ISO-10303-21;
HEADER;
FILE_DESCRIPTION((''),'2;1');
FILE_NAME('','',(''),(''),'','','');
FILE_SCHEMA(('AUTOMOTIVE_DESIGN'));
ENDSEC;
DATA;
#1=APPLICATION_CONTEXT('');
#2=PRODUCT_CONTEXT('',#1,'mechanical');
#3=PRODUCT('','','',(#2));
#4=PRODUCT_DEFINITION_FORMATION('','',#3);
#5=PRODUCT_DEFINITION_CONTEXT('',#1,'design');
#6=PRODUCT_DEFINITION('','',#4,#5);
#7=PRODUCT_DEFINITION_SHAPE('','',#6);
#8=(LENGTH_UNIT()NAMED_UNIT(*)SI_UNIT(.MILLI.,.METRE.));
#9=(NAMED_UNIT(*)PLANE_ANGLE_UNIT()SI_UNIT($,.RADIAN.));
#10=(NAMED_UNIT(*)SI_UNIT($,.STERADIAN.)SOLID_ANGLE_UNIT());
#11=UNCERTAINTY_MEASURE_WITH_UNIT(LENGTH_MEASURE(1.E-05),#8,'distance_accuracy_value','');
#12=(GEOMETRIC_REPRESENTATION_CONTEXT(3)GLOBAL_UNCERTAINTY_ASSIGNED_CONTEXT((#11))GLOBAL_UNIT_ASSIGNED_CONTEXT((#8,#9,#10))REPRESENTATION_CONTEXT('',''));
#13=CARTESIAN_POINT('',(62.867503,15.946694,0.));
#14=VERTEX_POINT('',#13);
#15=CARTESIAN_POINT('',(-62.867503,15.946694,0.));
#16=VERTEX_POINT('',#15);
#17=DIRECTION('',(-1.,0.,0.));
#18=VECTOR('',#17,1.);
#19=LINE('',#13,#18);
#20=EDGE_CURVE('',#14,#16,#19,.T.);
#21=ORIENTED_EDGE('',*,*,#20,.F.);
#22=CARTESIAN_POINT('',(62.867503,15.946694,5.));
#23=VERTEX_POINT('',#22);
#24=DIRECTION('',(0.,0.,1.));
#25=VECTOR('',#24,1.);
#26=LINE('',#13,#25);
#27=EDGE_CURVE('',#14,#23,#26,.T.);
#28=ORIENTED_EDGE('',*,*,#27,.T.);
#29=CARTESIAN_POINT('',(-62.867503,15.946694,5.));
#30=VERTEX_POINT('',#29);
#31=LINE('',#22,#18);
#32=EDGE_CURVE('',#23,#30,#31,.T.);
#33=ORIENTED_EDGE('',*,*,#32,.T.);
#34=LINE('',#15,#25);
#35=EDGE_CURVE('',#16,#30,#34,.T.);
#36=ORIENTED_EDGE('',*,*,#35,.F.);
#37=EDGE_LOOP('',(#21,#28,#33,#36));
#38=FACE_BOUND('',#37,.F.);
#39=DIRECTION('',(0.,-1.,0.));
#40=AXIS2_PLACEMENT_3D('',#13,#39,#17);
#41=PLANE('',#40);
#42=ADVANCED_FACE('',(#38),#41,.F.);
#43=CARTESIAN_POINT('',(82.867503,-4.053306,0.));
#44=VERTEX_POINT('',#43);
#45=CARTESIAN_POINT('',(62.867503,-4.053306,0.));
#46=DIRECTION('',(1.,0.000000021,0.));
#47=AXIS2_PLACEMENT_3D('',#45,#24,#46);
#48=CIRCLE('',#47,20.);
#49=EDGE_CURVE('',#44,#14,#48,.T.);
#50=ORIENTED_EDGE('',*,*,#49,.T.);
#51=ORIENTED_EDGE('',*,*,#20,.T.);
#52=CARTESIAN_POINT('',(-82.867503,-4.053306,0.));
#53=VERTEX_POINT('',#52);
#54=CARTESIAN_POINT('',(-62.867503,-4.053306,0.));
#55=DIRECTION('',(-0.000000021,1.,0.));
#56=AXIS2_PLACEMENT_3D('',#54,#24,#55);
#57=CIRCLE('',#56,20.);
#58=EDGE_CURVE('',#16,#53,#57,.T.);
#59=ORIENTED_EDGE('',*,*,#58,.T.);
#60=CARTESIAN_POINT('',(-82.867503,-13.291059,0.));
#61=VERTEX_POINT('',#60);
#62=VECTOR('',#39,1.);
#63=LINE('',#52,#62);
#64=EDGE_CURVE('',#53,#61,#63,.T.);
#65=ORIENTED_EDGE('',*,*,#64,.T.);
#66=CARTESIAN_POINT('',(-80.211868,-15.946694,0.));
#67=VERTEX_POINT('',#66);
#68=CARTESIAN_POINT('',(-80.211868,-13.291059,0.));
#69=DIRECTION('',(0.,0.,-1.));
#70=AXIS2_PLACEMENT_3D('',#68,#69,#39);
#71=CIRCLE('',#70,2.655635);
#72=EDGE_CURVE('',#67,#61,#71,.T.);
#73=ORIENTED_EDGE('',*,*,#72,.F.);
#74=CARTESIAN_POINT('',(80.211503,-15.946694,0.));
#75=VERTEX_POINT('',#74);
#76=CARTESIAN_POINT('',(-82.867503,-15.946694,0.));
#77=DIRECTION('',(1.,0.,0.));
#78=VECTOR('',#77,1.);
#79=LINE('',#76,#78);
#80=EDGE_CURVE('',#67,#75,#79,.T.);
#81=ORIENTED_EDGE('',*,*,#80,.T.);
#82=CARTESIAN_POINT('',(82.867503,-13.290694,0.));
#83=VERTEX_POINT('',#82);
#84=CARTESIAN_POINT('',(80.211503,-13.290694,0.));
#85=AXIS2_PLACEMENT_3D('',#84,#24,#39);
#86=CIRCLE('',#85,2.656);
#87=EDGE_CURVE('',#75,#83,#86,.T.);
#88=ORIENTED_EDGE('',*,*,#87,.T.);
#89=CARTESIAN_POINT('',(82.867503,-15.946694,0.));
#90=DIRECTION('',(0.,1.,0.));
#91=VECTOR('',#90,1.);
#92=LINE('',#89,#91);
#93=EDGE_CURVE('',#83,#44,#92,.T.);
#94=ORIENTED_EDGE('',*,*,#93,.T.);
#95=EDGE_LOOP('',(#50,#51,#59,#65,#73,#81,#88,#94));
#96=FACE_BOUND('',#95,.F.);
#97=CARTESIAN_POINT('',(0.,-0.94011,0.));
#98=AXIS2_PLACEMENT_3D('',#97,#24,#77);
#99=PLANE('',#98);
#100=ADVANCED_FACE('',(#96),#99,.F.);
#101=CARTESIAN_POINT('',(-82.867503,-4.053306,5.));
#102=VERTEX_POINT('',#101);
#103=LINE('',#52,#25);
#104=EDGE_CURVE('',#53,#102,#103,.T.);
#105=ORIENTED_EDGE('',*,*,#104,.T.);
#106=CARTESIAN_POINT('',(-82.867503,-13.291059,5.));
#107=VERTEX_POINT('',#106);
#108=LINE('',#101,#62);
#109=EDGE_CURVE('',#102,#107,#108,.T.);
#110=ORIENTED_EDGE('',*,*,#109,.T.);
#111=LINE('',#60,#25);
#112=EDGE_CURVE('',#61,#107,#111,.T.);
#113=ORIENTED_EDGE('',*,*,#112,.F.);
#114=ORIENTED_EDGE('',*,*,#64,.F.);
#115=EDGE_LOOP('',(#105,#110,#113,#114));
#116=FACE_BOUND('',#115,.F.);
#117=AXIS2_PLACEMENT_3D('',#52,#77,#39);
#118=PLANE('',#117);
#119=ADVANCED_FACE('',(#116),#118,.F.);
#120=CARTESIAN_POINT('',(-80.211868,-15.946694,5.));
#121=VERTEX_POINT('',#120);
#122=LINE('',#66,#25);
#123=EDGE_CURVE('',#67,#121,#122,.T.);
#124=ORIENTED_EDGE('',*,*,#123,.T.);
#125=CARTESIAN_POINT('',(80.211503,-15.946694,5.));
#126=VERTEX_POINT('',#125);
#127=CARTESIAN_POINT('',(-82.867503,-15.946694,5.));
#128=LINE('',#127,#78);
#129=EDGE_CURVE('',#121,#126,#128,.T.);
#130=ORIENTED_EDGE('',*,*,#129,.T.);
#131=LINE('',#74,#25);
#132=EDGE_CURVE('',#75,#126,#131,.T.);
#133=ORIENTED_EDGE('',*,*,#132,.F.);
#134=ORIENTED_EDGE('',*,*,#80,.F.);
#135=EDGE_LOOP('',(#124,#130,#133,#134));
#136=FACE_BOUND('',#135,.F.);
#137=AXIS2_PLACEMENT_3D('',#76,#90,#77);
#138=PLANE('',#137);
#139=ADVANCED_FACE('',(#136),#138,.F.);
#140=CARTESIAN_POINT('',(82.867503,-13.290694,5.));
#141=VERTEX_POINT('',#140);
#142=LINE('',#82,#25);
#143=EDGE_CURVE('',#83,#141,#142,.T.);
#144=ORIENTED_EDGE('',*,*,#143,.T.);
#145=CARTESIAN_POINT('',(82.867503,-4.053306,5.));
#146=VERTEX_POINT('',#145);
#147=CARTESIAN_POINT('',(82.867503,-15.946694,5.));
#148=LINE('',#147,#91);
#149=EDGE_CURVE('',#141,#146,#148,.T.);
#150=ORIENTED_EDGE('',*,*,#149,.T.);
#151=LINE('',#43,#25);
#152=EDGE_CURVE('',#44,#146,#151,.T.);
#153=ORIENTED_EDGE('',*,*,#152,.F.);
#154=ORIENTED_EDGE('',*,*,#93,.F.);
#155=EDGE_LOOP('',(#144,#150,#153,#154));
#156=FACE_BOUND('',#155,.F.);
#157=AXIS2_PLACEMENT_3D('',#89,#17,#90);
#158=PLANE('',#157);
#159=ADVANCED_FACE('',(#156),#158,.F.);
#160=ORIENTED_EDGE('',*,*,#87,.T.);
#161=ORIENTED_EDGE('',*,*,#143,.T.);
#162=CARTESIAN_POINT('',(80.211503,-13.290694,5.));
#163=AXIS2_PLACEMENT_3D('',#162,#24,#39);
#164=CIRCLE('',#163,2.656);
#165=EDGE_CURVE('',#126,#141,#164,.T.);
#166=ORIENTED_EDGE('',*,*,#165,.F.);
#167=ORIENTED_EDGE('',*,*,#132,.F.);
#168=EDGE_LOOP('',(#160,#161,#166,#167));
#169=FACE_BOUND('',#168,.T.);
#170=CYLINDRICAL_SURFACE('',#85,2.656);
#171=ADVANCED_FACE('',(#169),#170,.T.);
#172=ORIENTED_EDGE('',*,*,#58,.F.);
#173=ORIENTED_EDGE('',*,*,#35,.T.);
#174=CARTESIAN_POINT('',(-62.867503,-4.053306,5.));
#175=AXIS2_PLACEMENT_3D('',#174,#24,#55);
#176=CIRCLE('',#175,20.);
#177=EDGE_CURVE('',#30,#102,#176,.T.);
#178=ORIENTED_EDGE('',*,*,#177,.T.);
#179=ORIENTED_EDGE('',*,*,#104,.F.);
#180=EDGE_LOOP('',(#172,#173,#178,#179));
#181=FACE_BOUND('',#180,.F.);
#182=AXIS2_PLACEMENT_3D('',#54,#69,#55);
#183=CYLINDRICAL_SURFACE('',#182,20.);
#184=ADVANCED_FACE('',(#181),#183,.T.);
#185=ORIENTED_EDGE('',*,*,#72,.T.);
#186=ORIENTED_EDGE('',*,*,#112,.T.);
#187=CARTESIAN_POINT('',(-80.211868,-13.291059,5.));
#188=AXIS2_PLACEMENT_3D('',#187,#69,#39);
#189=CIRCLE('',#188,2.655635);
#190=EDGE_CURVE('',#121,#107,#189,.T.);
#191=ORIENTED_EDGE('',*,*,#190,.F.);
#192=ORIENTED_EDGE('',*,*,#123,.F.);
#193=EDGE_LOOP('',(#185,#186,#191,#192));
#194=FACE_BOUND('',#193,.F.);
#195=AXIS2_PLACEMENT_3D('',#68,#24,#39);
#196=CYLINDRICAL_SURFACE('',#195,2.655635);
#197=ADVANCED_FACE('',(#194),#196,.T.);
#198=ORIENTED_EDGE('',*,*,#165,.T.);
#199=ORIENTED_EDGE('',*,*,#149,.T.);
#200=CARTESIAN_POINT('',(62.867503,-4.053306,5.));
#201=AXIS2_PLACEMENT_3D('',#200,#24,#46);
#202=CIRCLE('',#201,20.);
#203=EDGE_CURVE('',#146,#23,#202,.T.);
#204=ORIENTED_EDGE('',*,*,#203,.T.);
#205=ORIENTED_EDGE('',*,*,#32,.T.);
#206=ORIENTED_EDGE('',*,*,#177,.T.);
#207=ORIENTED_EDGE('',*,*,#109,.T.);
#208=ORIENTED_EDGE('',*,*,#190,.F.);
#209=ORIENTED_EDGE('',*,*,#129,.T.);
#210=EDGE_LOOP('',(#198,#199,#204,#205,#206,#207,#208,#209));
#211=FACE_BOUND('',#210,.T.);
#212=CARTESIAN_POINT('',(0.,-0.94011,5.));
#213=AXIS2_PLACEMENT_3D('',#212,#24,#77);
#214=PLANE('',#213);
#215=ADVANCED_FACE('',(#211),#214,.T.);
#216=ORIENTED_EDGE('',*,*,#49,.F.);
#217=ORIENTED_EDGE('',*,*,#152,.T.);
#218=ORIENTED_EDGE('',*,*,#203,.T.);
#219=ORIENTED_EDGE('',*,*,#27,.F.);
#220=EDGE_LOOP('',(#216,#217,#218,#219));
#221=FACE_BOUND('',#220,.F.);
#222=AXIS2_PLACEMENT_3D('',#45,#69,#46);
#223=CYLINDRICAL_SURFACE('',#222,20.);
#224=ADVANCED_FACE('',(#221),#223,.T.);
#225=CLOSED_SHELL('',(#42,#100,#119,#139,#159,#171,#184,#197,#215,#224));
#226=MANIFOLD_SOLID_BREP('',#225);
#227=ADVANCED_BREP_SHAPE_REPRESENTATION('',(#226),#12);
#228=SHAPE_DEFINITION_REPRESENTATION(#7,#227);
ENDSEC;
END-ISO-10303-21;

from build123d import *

# Parameters (mm, degrees)
F1_DEPTH = 5
F2_R     = 2.655635
F3_R     = 2.656


with BuildPart() as f1:
    # F0 (on Top) → F1 (new body)
    with BuildSketch(Plane.XY):
        with BuildLine():
            Line((-82.867503, -15.946694), (82.867503, -15.946694))
            Line((82.867503, -15.946694), (82.867503, -4.053306))
            ThreePointArc((82.867503, -4.053306), (77.009639, 10.088829), (62.867503, 15.946694))
            Line((62.867503, 15.946694), (-62.867503, 15.946694))
            ThreePointArc((-62.867503, 15.946694), (-77.009639, 10.088829), (-82.867503, -4.053306))
            Line((-82.867503, -4.053306), (-82.867503, -15.946694))
        make_face()
    extrude(amount=F1_DEPTH)

    # F2
    f2_edges = [f1.edges().sort_by_distance(p)[0] for p in [
        (-82.867503, -15.946694, 2.5),
    ]]
    fillet(f2_edges, radius=F2_R)

    # F3
    f3_edges = [f1.edges().sort_by_distance(p)[0] for p in [
        (82.867503, -15.946694, 2.5),
    ]]
    fillet(f3_edges, radius=F3_R)


solid = f1.part
